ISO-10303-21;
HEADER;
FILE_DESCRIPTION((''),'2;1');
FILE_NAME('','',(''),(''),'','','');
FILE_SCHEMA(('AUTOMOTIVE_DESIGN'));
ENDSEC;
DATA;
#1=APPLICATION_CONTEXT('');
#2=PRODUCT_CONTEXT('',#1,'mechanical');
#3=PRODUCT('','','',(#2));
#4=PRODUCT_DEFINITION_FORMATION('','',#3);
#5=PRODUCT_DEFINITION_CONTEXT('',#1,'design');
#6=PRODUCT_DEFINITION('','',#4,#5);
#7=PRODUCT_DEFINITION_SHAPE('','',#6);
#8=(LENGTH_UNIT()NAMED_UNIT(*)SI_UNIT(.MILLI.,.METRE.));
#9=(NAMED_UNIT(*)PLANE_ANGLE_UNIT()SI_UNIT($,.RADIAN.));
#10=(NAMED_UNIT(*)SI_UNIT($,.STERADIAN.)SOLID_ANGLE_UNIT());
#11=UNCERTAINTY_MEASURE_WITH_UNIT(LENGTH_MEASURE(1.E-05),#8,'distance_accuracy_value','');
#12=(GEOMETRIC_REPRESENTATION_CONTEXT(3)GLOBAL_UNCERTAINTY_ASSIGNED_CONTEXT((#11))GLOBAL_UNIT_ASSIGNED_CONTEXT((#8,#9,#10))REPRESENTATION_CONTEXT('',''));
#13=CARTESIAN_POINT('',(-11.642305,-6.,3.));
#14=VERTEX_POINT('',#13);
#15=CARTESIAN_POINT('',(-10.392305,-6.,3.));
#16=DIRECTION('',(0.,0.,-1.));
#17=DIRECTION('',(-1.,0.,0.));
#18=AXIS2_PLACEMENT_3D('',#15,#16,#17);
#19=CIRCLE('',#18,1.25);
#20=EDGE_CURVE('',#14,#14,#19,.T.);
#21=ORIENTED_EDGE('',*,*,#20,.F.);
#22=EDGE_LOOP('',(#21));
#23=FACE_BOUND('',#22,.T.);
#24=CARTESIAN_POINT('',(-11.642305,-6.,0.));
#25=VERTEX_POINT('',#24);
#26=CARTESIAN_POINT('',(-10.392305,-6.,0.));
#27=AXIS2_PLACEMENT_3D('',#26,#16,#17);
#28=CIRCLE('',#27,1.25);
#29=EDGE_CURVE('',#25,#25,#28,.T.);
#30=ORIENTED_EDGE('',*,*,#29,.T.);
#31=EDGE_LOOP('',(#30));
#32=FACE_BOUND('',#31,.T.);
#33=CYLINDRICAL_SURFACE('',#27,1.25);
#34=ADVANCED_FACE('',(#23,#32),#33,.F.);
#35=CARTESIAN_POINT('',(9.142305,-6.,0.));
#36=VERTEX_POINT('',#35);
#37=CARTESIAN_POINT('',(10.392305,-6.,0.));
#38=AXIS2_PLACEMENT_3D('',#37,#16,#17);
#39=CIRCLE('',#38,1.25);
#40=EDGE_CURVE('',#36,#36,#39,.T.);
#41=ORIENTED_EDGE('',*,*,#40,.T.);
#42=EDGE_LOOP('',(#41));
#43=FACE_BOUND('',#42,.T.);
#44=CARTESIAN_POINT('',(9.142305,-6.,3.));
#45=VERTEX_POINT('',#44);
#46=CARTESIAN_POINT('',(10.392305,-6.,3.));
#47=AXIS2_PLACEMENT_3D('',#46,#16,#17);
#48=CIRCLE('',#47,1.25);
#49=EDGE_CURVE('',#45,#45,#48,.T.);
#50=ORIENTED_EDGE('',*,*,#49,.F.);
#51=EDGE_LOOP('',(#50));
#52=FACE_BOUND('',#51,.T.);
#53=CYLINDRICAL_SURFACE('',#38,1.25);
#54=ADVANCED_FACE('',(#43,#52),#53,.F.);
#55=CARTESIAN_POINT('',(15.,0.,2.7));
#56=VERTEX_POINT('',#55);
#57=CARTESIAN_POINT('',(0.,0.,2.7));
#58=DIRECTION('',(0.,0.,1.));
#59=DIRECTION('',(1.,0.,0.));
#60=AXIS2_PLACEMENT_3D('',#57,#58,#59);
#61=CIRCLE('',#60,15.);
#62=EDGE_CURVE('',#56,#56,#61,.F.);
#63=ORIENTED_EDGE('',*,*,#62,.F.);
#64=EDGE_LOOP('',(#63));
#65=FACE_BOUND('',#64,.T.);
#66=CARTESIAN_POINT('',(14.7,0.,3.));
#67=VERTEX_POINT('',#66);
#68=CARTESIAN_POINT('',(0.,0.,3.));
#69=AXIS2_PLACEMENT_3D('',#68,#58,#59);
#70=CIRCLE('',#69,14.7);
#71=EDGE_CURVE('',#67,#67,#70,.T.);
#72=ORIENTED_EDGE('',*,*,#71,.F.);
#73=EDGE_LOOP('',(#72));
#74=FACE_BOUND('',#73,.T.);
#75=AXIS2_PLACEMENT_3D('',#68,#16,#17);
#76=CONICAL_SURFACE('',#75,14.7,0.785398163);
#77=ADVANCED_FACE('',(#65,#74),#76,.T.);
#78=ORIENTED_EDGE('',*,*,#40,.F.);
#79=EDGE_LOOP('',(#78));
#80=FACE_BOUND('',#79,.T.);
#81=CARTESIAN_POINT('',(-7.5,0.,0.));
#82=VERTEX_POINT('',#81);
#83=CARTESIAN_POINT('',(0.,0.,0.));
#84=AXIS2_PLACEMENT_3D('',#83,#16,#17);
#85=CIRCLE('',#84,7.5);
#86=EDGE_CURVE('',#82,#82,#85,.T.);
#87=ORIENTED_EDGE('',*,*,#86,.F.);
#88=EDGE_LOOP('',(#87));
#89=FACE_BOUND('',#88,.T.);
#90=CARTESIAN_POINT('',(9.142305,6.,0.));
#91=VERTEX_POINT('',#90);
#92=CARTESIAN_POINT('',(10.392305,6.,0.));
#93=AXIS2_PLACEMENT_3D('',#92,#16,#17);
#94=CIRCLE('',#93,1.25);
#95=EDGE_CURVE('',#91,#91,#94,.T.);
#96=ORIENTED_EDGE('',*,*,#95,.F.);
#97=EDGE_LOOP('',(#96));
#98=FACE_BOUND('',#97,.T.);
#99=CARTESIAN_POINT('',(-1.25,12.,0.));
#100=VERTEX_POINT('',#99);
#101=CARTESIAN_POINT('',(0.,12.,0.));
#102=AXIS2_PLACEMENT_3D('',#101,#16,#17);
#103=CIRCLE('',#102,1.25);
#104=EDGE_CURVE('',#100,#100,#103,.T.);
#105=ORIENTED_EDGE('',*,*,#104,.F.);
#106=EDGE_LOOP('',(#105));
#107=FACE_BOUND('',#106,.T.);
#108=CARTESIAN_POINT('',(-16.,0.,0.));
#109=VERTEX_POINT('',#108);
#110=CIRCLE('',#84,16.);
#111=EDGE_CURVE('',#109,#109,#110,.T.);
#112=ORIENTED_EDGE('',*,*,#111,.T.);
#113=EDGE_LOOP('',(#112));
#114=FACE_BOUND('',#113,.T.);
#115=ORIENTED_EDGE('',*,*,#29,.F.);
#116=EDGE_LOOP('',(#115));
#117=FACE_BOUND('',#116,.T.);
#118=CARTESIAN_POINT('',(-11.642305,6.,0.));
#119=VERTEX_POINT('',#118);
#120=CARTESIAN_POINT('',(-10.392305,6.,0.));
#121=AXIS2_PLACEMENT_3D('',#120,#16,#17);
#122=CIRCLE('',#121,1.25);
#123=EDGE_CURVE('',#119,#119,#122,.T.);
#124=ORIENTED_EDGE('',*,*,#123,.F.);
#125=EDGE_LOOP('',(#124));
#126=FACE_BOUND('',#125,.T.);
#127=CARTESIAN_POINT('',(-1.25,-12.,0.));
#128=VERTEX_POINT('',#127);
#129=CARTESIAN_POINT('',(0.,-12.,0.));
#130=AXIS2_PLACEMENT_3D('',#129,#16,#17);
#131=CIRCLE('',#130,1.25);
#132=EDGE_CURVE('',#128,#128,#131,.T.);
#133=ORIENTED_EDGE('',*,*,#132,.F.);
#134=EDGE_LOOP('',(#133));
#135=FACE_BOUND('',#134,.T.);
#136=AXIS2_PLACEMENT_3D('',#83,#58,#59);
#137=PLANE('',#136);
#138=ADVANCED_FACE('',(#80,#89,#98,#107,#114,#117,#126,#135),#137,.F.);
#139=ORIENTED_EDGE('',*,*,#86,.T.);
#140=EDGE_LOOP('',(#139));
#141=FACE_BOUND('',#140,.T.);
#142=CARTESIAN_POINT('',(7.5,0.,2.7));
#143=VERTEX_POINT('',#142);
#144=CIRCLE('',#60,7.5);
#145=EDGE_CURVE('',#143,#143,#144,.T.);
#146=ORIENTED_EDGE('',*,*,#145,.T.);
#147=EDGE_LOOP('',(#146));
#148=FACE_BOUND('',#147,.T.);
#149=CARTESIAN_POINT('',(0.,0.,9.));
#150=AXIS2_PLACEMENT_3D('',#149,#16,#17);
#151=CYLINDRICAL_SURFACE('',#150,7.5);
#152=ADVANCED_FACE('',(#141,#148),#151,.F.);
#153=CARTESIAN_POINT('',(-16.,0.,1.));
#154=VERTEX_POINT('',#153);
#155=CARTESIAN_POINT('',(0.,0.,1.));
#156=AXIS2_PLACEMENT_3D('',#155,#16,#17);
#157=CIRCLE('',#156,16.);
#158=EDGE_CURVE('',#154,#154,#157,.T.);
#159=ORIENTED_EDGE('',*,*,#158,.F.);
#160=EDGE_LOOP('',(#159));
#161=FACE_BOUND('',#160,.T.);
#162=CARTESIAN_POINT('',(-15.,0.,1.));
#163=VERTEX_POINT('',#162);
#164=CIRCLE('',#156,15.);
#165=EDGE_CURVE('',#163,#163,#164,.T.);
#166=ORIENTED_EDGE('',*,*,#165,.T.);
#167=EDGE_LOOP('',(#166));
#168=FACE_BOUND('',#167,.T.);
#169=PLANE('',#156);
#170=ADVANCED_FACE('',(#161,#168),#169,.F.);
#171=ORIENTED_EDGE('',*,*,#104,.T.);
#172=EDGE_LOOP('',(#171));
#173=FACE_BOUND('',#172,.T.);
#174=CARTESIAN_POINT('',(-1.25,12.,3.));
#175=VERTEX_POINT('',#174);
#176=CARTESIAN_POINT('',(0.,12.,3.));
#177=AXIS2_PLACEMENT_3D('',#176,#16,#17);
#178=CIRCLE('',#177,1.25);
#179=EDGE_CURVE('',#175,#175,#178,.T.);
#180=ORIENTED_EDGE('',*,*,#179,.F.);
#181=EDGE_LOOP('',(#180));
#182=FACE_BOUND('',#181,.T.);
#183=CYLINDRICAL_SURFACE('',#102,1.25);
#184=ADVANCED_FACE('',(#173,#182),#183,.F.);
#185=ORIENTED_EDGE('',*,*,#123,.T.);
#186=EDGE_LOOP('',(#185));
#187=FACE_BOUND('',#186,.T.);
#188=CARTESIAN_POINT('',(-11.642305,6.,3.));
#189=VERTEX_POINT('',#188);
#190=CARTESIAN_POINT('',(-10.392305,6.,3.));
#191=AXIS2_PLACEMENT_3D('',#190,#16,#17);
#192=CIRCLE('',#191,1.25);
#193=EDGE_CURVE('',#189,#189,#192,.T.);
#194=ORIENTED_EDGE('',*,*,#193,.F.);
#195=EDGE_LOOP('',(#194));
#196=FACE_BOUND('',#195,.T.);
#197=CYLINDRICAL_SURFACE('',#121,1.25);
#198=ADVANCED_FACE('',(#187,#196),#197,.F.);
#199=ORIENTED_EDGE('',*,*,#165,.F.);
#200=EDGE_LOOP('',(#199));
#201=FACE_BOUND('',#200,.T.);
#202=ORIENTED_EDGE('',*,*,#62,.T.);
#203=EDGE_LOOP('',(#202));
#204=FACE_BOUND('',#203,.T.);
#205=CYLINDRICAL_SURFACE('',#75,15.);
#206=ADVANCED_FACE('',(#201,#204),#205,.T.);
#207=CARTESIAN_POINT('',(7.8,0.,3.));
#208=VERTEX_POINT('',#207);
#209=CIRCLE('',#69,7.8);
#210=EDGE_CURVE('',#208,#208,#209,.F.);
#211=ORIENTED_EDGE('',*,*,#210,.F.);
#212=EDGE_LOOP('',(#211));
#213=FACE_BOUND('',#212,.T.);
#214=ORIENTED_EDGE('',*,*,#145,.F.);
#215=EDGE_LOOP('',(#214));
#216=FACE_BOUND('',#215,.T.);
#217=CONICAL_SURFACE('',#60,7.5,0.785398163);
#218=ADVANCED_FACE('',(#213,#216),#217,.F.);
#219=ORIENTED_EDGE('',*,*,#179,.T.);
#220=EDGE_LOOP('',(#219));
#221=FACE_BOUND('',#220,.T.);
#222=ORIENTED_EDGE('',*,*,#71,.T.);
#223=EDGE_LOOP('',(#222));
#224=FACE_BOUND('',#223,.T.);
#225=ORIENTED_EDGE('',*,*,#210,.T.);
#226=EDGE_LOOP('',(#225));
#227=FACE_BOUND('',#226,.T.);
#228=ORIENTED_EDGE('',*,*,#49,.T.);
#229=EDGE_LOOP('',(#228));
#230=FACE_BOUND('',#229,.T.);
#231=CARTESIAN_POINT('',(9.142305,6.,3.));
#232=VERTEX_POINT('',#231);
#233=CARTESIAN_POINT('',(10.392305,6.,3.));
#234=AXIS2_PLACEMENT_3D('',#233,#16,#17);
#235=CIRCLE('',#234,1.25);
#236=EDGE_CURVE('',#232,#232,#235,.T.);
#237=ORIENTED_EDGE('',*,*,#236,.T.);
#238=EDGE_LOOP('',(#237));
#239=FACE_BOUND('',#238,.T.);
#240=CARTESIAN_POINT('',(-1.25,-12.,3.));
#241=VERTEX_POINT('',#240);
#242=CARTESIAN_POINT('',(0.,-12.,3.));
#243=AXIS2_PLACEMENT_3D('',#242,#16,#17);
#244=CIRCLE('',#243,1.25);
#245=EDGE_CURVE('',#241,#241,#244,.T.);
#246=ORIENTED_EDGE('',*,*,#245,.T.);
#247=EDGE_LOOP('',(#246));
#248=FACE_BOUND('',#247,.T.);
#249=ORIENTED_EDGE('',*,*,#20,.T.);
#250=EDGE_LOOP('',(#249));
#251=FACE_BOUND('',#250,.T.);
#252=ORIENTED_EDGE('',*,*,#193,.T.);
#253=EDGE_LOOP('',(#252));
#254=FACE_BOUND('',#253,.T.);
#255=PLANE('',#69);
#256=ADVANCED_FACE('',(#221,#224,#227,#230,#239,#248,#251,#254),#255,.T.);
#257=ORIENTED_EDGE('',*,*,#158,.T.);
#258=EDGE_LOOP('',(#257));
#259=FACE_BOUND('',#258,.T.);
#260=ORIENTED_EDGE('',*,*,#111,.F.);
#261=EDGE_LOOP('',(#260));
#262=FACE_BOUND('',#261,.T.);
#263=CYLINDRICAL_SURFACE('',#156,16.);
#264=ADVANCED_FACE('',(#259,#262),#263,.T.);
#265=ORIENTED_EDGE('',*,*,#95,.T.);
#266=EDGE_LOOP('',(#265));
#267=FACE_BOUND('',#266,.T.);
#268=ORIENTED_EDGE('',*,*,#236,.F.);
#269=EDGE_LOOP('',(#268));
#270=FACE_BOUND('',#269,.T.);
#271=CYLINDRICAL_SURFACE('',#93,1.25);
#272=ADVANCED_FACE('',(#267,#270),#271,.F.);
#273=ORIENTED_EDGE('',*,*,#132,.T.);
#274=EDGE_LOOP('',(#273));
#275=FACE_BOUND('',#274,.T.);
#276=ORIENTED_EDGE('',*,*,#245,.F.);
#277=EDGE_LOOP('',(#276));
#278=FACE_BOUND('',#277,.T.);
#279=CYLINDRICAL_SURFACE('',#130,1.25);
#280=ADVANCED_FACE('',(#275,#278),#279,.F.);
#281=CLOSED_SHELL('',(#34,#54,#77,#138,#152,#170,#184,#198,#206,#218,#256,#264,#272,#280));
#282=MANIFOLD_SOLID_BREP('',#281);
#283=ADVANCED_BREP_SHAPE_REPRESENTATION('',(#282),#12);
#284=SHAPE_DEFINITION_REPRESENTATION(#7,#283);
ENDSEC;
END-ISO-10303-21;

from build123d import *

# Parameters (mm, degrees)
SKETCH_1_R          = 15
EXTRUDE_5_DEPTH     = 3
SKETCH_8_R          = 16
EXTRUDE_7_DEPTH     = 1
SKETCH_9_R          = 7.5
CUT_EXTRUDE_3_DEPTH = 9
HOLE_WIZARD_M3_1_D  = 2.5
CHAMFER_1_SIZE      = 0.3
CHAMFER_2_SIZE      = 0.3


with BuildPart() as part:
    # 草图1 → 凸台-拉伸5 (new body)
    with BuildSketch(Plane.XY):
        Circle(SKETCH_1_R)
    extrude(amount=EXTRUDE_5_DEPTH)

    # 草图8 → 凸台-拉伸7 (add)
    with BuildSketch(Plane(origin=(0, 0, 0), x_dir=(-1, 0, 0), z_dir=(0, 0, -1))):
        Circle(SKETCH_8_R)
    extrude(amount=-EXTRUDE_7_DEPTH)

    # 草图9 → 切除-拉伸3 (cut)
    with BuildSketch(Plane(origin=(0, 0, 0), x_dir=(-1, 0, 0), z_dir=(0, 0, -1))):
        Circle(SKETCH_9_R)
    extrude(amount=-CUT_EXTRUDE_3_DEPTH, mode=Mode.SUBTRACT)

    # M3 螺纹孔1 (through all)
    with Locations(Plane(origin=(0, 0, 0), x_dir=(-1, 0, 0), z_dir=(0, 0, -1))):
        with Locations((0, 0), (0, 12), (10.392304845, 6), (10.392304845, -6), (0, -12), (-10.392304845, -6), (-10.392304845, 6)):
            Hole(HOLE_WIZARD_M3_1_D / 2)

    # 倒角1
    chamfer_1_edges = [part.edges().sort_by_distance(p)[0] for p in [
        (-15, 0, 3),
    ]]
    chamfer(chamfer_1_edges, length=CHAMFER_1_SIZE)

    # 倒角2
    chamfer_2_edges = [part.edges().sort_by_distance(p)[0] for p in [
        (7.5, 0, 3),
    ]]
    chamfer(chamfer_2_edges, length=CHAMFER_2_SIZE)


solid = part.part
